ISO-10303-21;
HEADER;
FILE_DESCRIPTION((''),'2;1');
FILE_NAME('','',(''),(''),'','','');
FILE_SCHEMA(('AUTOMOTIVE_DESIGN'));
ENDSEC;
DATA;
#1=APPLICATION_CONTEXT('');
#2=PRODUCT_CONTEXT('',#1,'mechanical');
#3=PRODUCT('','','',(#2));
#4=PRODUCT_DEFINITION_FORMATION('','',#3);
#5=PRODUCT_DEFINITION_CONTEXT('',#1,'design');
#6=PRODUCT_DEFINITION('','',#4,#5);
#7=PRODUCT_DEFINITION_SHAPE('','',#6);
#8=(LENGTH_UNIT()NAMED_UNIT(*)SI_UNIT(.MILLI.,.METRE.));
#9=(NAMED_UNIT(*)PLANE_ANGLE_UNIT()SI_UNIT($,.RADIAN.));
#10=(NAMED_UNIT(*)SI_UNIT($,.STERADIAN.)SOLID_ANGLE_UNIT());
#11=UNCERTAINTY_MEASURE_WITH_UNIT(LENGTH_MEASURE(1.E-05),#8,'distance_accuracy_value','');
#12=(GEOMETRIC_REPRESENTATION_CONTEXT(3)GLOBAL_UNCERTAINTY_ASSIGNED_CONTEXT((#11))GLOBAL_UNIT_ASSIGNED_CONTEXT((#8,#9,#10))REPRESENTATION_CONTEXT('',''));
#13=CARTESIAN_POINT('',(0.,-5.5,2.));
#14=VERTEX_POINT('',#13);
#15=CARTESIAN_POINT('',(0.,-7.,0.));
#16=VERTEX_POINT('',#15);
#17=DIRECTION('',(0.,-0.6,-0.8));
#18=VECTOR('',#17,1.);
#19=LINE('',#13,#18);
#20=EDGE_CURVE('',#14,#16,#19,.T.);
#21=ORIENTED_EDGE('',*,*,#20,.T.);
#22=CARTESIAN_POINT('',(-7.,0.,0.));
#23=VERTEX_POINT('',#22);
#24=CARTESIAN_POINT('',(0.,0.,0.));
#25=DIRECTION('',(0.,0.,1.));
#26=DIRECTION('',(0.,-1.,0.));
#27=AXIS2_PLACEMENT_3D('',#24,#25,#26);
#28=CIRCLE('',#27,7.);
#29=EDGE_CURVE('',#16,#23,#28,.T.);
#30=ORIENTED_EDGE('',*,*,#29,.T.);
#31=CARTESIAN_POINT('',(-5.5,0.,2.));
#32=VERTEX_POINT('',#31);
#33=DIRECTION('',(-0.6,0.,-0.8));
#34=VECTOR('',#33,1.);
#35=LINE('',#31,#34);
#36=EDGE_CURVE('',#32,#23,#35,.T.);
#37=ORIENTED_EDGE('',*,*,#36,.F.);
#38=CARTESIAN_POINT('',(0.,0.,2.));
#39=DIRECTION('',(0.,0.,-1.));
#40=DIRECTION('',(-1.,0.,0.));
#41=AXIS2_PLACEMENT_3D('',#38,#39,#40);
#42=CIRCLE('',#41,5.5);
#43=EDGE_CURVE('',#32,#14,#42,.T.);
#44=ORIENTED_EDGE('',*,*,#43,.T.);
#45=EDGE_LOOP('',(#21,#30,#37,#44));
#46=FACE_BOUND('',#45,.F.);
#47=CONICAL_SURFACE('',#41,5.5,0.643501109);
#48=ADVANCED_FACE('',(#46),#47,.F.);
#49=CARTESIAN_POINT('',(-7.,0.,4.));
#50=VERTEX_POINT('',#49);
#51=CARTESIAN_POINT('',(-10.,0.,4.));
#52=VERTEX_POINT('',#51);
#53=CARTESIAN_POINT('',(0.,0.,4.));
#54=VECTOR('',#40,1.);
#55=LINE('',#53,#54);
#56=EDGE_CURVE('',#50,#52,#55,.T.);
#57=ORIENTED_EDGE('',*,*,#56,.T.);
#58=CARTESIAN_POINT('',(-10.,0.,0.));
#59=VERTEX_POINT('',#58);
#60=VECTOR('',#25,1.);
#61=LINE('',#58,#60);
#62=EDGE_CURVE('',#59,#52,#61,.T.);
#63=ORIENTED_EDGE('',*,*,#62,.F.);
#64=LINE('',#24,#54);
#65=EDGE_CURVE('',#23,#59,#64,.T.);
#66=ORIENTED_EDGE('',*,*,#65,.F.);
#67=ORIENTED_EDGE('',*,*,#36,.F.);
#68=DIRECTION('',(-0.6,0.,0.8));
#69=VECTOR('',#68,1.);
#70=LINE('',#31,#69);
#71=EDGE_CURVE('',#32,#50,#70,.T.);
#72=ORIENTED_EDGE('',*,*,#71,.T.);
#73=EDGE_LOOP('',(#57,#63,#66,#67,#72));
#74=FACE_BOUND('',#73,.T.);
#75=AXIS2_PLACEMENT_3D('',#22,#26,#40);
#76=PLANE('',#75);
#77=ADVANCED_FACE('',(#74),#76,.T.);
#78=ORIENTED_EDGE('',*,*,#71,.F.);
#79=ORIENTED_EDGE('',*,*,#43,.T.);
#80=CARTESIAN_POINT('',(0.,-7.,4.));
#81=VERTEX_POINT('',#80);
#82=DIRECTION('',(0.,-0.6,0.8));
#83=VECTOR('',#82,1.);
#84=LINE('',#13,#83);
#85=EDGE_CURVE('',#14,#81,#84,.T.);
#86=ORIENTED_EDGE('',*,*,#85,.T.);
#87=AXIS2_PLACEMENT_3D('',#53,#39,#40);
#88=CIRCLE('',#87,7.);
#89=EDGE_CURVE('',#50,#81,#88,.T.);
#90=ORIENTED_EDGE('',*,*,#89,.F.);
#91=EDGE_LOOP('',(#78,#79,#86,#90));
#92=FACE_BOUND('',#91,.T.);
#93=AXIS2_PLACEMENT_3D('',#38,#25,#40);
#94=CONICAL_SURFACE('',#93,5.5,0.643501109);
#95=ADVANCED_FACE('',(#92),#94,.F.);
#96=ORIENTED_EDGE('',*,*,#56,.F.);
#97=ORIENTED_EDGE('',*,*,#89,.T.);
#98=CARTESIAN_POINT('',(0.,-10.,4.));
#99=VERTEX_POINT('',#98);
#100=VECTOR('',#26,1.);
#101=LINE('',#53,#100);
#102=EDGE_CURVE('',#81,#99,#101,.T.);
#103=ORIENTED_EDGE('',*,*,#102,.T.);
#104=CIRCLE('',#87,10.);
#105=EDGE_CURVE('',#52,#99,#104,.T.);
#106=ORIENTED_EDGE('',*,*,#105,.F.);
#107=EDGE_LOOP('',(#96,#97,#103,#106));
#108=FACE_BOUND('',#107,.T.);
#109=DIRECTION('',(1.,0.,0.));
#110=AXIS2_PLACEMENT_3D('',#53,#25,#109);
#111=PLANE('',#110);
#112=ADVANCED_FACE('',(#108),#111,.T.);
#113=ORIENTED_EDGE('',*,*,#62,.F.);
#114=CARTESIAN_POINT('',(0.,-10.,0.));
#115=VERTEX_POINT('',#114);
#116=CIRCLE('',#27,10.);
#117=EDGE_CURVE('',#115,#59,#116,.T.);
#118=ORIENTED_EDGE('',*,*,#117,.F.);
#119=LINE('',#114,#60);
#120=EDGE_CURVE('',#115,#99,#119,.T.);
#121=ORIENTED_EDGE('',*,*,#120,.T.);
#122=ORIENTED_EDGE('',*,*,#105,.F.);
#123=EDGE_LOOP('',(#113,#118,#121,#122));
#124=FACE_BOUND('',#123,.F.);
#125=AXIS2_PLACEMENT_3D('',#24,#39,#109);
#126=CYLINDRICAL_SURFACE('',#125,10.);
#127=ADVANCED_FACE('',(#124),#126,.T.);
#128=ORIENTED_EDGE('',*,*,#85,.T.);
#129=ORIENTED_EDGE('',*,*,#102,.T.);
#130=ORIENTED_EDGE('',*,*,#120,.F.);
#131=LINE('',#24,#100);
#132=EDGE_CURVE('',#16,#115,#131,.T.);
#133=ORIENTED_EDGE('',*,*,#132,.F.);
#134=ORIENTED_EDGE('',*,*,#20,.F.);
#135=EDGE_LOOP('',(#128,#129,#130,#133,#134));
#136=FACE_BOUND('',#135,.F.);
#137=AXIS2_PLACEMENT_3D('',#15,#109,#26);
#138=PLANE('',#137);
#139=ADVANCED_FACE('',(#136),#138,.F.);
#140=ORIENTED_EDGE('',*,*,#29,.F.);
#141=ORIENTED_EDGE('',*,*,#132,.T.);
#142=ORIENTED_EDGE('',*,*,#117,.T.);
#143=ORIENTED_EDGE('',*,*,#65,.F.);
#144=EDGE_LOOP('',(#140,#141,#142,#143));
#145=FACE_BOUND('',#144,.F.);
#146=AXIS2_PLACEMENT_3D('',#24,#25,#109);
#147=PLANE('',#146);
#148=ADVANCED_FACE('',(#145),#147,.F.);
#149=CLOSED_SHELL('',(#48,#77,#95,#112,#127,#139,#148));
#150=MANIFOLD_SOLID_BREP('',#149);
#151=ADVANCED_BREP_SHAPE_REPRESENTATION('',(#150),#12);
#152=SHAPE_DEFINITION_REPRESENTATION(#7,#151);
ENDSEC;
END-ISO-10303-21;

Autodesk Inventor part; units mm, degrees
ref_plane "YZ Plane" through (0, 0, 0) normal (1, 0, 0) x (0, 1, 0)
ref_plane "XZ Plane" through (0, 0, 0) normal (0, 1, 0) x (-1, 0, 0)
ref_plane "XY Plane" through (0, 0, 0) normal (0, 0, 1) x (1, 0, 0)
sketch "Skizze1" plane through (0, 0, 0) normal (0, 0, 1) x (1, 0, 0)
  circle A0 centre (0, 0) radius 7
  circle A1 centre (0, 0) radius 10
  line L0 (0, 0) -> (-10, 0)
  line L1 (0, 0) -> (0, -10)
  point P0 (0, -7)
  point P1 (-7, 0)
  dimension "d0" = 14
  dimension "d1" = 20
extrude "Extrusion1" add sketch "Skizze1" along normal blind 4 contours A0 L0 A1 L1 picked at (-8.8353, 1.3561)
sketch "Skizze2" plane through (-10, 0, 0) normal (0, -1, 0) x (1, 0, 0)
  line L0 (3, 0) -> (3, 4) construction
  line L1 (3, 2) -> (4.5, 2) construction
  line L2 (4.5, 2) -> (3, 4)
  line L3 (20, 4) -> (0, 4) projected
  line L4 (4.5, 2) -> (3, 0)
  line L5 (3, 0) -> (3, 4)
  line L6 (10, -0.8) -> (10, 4.8) projected
  point P0 (10, 0)
  point P1 (10, 4)
  dimension "d4" = 1.5
revolve "Umdrehung1" add sketch "Skizze2" angle 270 about axis through (0, 0, -10) along (0, 0, -1)
properties part number "C-ClipV1"
